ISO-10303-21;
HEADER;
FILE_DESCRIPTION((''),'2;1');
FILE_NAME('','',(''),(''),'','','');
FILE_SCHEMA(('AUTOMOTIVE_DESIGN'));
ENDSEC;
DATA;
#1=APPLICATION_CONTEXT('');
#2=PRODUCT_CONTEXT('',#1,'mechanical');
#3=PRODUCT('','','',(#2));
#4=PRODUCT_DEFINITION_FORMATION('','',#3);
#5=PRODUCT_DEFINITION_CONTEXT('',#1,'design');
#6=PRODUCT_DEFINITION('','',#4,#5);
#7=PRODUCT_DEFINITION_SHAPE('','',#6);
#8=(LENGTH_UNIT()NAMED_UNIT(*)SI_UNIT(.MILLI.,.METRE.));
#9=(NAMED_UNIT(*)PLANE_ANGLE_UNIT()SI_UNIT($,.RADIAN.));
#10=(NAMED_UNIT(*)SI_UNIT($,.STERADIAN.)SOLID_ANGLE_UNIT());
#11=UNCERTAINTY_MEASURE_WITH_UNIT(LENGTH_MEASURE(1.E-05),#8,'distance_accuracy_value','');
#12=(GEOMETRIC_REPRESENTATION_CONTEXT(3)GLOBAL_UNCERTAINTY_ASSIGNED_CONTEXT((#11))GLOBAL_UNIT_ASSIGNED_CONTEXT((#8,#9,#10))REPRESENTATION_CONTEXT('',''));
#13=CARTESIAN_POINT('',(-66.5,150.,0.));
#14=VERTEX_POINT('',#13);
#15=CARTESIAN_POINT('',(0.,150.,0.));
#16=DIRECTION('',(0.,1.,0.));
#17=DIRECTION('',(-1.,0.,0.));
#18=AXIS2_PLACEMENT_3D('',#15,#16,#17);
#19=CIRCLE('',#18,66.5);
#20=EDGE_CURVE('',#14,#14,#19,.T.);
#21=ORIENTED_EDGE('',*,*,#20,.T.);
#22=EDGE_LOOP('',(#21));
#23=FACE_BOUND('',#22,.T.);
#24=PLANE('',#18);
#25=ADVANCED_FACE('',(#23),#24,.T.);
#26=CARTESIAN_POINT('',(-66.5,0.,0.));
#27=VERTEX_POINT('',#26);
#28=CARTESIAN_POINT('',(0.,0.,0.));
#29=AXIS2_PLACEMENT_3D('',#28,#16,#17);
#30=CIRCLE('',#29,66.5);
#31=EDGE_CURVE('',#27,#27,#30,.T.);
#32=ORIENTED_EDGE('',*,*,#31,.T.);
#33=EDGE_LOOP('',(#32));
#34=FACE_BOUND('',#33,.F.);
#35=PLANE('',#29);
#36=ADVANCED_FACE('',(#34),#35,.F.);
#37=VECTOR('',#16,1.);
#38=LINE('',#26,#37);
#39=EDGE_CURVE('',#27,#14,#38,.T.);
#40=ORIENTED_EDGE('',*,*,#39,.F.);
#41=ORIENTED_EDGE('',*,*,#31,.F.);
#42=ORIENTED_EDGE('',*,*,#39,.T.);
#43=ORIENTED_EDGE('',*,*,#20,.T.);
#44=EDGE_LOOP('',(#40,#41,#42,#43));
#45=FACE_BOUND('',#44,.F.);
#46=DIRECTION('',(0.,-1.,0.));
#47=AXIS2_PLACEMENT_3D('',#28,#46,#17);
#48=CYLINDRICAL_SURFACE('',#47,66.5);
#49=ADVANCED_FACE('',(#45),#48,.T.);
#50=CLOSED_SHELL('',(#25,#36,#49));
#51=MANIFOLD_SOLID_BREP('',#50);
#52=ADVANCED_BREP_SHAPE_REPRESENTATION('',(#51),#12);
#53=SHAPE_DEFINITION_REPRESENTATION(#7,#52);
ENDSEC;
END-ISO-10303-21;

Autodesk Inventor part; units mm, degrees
ref_plane "YZ Plane" through (0, 0, 0) normal (1, 0, 0) x (0, 1, 0)
ref_plane "XZ Plane" through (0, 0, 0) normal (0, 1, 0) x (-1, 0, 0)
ref_plane "XY Plane" through (0, 0, 0) normal (0, 0, 1) x (1, 0, 0)
sketch "スケッチ1" plane through (0, 0, 0) normal (0, 1, 0) x (-1, 0, 0)
  circle A0 centre (0, 0) radius 66.5
  dimension "d0" = 133
extrude "押し出し1" add sketch "スケッチ1" along normal blind 150
properties part number "tank"
